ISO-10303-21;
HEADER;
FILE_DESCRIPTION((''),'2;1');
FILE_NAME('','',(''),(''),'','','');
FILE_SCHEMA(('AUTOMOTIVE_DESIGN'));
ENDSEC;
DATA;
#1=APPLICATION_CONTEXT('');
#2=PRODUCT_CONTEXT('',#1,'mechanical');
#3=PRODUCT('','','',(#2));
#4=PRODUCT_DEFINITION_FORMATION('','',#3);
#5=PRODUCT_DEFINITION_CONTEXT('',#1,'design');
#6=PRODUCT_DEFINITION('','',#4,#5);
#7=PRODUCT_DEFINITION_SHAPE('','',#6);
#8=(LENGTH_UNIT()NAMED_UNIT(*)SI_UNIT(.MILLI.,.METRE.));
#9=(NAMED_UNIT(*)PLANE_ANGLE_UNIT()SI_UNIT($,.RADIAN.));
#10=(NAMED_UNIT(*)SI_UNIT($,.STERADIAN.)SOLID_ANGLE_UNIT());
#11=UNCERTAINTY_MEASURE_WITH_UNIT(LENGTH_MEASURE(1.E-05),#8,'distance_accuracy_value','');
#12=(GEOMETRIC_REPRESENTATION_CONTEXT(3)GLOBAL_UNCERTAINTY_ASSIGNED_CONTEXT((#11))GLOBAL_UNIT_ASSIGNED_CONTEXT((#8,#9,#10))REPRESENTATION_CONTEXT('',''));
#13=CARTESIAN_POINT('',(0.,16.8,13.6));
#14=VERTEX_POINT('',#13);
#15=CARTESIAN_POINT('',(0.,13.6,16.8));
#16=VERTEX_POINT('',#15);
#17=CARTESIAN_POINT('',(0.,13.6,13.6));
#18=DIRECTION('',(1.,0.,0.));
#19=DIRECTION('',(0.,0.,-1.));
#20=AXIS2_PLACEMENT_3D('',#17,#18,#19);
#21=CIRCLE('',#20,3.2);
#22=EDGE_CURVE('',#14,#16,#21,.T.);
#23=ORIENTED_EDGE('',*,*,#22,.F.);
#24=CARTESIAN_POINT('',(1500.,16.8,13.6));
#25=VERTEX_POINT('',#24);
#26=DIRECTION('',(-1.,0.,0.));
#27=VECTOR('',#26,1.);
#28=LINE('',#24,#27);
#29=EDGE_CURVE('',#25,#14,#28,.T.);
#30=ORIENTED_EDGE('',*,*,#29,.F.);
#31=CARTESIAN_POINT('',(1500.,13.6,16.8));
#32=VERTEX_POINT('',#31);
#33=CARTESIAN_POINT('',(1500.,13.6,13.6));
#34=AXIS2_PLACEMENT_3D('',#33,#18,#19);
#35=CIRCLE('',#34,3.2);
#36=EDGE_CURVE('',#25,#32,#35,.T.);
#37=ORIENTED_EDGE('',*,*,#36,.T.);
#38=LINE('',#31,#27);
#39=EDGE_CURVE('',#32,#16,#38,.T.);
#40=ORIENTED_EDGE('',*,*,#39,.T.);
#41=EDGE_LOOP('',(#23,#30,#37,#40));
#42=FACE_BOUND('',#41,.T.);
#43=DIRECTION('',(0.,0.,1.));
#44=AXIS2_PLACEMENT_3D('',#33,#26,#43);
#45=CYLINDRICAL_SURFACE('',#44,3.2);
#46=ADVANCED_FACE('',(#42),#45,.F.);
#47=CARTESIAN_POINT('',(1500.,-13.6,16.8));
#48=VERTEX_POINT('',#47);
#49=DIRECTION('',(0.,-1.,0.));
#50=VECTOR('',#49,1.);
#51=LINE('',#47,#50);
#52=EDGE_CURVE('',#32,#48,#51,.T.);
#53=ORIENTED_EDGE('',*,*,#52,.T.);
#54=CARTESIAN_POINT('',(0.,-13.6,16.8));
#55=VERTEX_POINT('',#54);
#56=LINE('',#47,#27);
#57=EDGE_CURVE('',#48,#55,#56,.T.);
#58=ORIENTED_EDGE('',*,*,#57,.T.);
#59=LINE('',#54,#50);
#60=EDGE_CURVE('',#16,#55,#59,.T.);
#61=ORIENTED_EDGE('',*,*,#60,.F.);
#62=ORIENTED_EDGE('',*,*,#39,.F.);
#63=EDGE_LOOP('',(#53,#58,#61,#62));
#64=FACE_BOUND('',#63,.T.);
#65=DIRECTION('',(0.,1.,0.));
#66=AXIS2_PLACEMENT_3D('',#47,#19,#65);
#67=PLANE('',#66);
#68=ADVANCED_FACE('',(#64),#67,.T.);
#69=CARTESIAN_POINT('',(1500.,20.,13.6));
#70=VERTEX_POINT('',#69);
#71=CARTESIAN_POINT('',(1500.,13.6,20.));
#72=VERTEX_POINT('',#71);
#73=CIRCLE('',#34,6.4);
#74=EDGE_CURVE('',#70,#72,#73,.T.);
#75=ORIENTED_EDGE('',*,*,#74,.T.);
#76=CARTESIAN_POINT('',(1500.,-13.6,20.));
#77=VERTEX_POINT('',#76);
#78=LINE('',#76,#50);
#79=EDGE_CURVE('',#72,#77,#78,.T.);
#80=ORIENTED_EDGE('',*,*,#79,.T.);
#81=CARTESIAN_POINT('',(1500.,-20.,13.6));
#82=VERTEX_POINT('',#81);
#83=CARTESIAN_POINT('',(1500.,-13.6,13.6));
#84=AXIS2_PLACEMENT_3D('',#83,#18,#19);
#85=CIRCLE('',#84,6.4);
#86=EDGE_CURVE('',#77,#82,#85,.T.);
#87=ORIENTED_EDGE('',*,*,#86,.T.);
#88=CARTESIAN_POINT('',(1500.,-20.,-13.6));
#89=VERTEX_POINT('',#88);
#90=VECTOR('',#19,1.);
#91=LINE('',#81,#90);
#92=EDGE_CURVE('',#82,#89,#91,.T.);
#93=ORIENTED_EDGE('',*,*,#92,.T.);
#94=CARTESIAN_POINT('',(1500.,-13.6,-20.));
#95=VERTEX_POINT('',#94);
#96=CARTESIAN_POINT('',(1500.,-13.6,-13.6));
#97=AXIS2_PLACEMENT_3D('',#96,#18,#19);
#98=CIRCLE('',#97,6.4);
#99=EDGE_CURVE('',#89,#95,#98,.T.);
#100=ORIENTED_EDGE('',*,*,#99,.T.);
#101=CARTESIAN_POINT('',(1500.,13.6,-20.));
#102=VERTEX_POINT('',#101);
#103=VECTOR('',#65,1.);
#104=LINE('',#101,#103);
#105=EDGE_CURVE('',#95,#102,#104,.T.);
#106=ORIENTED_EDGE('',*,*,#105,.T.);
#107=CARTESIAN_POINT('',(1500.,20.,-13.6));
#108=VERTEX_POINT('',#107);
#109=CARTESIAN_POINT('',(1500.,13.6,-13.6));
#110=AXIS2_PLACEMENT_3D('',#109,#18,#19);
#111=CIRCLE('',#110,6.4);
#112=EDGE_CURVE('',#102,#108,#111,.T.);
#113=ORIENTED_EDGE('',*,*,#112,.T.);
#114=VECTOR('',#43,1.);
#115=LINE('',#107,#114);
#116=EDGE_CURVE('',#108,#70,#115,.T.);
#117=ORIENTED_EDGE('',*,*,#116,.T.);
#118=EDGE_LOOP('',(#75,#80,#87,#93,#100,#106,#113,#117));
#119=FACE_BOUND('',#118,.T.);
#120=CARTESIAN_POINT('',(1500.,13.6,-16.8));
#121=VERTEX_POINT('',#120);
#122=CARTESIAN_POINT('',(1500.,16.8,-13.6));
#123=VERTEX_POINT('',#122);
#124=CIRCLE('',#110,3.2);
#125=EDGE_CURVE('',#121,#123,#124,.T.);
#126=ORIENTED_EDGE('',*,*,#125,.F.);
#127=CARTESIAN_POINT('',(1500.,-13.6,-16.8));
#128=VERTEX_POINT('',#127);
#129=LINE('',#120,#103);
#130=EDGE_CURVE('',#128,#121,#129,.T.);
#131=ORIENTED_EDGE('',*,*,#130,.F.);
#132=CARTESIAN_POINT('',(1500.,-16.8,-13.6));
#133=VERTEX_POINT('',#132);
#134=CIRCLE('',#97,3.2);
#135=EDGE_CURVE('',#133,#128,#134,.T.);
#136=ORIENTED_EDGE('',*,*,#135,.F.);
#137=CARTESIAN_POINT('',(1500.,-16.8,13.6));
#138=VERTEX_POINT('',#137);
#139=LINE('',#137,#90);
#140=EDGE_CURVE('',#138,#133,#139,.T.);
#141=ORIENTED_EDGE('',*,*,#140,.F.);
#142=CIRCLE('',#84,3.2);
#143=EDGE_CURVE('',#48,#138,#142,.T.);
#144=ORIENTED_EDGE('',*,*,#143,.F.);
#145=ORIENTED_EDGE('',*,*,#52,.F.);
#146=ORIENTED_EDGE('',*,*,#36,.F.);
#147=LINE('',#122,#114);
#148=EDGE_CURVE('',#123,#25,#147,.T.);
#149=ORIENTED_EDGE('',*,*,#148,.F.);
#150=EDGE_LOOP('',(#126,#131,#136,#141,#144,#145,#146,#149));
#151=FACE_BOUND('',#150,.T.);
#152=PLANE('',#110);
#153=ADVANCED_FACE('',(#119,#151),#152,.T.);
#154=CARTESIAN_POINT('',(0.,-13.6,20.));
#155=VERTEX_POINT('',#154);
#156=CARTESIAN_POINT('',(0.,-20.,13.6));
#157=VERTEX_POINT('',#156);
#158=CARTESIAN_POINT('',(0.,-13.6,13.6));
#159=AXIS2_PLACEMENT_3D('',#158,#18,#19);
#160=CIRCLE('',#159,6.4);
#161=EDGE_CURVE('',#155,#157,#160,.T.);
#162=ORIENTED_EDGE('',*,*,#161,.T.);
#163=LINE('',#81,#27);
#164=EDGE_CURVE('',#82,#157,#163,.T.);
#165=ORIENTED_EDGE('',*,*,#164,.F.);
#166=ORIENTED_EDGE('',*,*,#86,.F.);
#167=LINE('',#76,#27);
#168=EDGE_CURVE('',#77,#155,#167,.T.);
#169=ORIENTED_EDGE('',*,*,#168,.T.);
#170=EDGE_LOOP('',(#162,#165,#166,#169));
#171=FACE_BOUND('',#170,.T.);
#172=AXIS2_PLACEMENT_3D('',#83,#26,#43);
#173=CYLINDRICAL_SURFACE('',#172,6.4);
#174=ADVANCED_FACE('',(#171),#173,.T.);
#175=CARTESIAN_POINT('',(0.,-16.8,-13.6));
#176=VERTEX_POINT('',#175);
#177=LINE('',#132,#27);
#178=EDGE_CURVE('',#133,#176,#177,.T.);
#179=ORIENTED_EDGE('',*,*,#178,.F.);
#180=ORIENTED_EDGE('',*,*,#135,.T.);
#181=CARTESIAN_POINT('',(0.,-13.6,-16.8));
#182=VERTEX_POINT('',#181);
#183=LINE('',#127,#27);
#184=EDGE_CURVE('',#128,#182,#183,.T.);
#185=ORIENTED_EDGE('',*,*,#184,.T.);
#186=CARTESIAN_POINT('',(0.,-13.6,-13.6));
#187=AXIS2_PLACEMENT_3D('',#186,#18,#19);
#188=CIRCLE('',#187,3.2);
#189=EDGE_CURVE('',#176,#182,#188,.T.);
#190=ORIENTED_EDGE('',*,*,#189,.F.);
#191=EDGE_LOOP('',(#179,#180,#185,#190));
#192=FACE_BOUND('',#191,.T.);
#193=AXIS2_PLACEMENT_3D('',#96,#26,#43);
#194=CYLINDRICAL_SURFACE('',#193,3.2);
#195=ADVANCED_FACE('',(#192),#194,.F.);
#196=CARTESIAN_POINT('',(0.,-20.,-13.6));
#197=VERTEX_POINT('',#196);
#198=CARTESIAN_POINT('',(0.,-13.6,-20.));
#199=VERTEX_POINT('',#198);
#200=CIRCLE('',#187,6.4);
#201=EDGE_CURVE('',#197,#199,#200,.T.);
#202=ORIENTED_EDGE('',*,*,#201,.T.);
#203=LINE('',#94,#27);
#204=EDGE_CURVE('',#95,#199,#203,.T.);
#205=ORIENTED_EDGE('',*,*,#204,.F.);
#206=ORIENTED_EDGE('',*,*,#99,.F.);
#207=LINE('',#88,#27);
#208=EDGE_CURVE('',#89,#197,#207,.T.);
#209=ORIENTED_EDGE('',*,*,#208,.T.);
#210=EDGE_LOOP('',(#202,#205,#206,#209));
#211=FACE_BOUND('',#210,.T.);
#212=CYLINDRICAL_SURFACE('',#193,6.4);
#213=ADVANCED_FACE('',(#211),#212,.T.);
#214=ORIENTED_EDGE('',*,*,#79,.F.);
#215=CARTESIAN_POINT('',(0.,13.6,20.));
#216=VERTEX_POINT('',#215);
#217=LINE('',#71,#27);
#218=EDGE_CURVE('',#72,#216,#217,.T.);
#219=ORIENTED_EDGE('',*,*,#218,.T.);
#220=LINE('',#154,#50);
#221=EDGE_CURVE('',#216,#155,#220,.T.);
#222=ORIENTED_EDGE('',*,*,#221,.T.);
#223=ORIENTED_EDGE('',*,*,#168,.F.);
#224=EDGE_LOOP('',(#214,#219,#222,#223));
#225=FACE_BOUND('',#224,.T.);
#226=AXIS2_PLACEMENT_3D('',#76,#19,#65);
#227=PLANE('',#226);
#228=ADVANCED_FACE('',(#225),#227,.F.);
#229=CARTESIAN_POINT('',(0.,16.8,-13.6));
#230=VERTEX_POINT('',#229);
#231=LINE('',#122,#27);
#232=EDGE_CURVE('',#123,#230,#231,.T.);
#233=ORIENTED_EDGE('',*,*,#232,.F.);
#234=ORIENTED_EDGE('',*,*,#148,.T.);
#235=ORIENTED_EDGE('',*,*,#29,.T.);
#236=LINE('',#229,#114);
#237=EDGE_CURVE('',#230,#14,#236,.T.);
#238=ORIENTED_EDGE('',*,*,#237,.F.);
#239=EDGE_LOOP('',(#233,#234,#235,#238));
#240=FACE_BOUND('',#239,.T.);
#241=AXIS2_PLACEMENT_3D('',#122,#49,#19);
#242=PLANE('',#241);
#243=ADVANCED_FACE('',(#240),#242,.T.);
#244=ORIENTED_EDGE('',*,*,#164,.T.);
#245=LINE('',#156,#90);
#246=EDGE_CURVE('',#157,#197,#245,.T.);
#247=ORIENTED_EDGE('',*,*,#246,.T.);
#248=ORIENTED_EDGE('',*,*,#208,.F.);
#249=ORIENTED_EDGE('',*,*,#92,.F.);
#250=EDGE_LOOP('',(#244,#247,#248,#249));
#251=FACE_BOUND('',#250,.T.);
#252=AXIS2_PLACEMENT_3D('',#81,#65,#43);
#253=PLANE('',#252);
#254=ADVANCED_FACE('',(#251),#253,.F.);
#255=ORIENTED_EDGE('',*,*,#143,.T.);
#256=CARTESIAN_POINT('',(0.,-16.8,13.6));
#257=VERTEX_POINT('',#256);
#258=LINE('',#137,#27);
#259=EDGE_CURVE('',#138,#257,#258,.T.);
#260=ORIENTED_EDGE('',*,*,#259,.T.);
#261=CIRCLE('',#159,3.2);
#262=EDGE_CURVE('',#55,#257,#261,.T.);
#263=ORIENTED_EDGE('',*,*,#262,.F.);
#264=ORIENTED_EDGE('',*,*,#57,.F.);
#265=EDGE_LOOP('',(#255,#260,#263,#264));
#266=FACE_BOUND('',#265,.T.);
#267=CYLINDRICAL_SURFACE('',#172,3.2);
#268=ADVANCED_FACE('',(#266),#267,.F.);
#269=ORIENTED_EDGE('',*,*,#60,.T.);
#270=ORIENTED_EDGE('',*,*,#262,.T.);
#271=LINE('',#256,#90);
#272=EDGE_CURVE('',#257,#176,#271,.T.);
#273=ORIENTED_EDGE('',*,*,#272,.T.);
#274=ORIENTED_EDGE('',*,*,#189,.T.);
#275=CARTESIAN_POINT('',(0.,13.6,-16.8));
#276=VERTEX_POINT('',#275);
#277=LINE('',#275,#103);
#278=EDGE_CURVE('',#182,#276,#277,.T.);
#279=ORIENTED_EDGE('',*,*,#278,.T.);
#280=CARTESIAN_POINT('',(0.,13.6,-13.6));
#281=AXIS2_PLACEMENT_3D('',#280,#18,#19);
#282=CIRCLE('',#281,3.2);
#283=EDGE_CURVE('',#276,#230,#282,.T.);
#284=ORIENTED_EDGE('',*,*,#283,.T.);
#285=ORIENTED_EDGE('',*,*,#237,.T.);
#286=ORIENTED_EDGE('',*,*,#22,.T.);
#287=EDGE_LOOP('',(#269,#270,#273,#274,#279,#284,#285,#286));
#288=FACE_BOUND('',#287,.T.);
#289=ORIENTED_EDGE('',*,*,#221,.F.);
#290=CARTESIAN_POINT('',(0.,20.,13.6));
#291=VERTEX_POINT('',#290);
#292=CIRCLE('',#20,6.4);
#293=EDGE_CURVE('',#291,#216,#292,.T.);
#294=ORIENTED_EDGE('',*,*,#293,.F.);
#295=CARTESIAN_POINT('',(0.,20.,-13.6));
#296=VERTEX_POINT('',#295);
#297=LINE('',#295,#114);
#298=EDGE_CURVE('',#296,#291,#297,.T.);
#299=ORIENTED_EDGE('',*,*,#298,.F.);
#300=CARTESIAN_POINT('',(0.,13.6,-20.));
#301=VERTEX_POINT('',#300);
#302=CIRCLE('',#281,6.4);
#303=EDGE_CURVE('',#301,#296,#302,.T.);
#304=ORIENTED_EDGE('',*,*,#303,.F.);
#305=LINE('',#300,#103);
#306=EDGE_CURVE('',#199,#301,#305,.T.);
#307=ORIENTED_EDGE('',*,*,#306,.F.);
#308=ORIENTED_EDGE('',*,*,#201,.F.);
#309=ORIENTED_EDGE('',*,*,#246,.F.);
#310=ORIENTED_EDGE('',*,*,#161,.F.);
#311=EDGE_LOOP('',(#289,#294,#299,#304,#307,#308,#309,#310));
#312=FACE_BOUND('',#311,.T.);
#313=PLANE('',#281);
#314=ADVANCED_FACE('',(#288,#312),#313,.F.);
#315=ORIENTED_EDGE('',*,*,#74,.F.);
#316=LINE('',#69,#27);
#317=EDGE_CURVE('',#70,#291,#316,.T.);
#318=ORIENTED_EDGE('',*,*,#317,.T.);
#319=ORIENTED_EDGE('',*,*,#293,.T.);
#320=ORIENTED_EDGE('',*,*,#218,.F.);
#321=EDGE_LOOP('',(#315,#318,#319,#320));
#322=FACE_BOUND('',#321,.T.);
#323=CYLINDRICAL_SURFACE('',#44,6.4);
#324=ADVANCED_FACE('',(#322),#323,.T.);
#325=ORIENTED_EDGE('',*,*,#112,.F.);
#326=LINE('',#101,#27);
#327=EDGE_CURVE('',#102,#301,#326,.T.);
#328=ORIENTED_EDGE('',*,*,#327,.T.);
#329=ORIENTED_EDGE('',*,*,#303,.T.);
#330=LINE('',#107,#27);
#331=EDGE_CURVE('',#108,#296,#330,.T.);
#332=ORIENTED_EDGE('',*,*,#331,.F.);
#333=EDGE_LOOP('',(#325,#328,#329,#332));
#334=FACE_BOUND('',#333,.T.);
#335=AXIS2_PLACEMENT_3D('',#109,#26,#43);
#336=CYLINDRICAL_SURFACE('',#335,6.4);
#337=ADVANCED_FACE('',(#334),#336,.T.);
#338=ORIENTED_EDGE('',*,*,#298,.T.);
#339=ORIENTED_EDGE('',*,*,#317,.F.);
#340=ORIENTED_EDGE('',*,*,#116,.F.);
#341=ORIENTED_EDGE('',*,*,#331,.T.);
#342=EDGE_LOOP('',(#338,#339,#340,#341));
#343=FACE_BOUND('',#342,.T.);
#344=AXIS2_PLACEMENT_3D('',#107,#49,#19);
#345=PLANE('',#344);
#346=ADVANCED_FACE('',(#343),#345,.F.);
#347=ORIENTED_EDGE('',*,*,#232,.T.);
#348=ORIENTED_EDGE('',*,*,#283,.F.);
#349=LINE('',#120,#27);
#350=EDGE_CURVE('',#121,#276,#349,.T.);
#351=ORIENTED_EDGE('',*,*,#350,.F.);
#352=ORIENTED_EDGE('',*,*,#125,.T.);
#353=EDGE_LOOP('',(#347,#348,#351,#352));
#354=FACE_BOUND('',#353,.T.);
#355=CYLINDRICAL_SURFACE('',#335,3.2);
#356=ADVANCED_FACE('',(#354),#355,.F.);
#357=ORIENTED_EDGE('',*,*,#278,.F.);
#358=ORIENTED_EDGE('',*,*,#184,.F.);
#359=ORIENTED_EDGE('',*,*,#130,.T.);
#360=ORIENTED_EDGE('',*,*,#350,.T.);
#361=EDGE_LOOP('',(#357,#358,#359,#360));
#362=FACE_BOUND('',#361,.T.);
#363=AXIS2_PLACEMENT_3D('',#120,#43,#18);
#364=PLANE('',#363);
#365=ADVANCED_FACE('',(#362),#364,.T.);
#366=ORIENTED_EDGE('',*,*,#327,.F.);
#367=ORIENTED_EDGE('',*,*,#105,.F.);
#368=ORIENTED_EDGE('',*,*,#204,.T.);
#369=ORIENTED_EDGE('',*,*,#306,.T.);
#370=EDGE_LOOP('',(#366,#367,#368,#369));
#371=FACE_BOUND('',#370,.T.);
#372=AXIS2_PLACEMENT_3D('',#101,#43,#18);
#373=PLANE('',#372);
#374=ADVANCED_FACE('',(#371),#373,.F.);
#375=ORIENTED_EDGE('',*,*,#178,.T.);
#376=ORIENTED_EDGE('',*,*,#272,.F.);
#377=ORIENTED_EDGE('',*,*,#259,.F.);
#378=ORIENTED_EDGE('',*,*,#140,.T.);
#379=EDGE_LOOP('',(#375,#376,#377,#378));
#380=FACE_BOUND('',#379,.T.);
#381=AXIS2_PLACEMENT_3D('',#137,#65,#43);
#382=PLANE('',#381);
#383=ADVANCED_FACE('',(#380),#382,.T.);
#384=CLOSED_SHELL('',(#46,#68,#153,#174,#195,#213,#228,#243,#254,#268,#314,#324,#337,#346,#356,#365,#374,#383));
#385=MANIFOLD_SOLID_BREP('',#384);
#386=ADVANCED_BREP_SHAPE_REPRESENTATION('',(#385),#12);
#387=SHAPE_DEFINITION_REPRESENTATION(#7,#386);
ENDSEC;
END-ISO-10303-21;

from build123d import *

# Parameters (mm, degrees)
TUBE_SQUARE_40_X_40_X_3_2_7_DEPTH = 1500


with BuildPart() as part:
    # Sketch12 → Tube (square) 40 X 40 X 3.2(7) (new body)
    with BuildSketch(Plane(origin=(0, 0, 0), x_dir=(0, 0, -1), z_dir=(1, 0, 0))):
        with BuildLine():
            Line((-13.6, -20), (13.6, -20))
            ThreePointArc((13.6, -20), (18.1254834, -18.1254834), (20, -13.6))
            Line((20, -13.6), (20, 13.6))
            ThreePointArc((20, 13.6), (18.1254834, 18.1254834), (13.6, 20))
            Line((13.6, 20), (-13.6, 20))
            ThreePointArc((-13.6, 20), (-18.1254834, 18.1254834), (-20, 13.6))
            Line((-20, 13.6), (-20, -13.6))
            ThreePointArc((-20, -13.6), (-18.1254834, -18.1254834), (-13.6, -20))
        make_face()
        with BuildLine():
            Line((-13.6, -16.8), (13.6, -16.8))
            ThreePointArc((13.6, -16.8), (15.8627417, -15.8627417), (16.8, -13.6))
            Line((16.8, -13.6), (16.8, 13.6))
            ThreePointArc((16.8, 13.6), (15.8627417, 15.8627417), (13.6, 16.8))
            Line((13.6, 16.8), (-13.6, 16.8))
            ThreePointArc((-13.6, 16.8), (-15.8627417, 15.8627417), (-16.8, 13.6))
            Line((-16.8, 13.6), (-16.8, -13.6))
            ThreePointArc((-16.8, -13.6), (-15.8627417, -15.8627417), (-13.6, -16.8))
        make_face(mode=Mode.SUBTRACT)
    extrude(amount=TUBE_SQUARE_40_X_40_X_3_2_7_DEPTH)


solid = part.part
